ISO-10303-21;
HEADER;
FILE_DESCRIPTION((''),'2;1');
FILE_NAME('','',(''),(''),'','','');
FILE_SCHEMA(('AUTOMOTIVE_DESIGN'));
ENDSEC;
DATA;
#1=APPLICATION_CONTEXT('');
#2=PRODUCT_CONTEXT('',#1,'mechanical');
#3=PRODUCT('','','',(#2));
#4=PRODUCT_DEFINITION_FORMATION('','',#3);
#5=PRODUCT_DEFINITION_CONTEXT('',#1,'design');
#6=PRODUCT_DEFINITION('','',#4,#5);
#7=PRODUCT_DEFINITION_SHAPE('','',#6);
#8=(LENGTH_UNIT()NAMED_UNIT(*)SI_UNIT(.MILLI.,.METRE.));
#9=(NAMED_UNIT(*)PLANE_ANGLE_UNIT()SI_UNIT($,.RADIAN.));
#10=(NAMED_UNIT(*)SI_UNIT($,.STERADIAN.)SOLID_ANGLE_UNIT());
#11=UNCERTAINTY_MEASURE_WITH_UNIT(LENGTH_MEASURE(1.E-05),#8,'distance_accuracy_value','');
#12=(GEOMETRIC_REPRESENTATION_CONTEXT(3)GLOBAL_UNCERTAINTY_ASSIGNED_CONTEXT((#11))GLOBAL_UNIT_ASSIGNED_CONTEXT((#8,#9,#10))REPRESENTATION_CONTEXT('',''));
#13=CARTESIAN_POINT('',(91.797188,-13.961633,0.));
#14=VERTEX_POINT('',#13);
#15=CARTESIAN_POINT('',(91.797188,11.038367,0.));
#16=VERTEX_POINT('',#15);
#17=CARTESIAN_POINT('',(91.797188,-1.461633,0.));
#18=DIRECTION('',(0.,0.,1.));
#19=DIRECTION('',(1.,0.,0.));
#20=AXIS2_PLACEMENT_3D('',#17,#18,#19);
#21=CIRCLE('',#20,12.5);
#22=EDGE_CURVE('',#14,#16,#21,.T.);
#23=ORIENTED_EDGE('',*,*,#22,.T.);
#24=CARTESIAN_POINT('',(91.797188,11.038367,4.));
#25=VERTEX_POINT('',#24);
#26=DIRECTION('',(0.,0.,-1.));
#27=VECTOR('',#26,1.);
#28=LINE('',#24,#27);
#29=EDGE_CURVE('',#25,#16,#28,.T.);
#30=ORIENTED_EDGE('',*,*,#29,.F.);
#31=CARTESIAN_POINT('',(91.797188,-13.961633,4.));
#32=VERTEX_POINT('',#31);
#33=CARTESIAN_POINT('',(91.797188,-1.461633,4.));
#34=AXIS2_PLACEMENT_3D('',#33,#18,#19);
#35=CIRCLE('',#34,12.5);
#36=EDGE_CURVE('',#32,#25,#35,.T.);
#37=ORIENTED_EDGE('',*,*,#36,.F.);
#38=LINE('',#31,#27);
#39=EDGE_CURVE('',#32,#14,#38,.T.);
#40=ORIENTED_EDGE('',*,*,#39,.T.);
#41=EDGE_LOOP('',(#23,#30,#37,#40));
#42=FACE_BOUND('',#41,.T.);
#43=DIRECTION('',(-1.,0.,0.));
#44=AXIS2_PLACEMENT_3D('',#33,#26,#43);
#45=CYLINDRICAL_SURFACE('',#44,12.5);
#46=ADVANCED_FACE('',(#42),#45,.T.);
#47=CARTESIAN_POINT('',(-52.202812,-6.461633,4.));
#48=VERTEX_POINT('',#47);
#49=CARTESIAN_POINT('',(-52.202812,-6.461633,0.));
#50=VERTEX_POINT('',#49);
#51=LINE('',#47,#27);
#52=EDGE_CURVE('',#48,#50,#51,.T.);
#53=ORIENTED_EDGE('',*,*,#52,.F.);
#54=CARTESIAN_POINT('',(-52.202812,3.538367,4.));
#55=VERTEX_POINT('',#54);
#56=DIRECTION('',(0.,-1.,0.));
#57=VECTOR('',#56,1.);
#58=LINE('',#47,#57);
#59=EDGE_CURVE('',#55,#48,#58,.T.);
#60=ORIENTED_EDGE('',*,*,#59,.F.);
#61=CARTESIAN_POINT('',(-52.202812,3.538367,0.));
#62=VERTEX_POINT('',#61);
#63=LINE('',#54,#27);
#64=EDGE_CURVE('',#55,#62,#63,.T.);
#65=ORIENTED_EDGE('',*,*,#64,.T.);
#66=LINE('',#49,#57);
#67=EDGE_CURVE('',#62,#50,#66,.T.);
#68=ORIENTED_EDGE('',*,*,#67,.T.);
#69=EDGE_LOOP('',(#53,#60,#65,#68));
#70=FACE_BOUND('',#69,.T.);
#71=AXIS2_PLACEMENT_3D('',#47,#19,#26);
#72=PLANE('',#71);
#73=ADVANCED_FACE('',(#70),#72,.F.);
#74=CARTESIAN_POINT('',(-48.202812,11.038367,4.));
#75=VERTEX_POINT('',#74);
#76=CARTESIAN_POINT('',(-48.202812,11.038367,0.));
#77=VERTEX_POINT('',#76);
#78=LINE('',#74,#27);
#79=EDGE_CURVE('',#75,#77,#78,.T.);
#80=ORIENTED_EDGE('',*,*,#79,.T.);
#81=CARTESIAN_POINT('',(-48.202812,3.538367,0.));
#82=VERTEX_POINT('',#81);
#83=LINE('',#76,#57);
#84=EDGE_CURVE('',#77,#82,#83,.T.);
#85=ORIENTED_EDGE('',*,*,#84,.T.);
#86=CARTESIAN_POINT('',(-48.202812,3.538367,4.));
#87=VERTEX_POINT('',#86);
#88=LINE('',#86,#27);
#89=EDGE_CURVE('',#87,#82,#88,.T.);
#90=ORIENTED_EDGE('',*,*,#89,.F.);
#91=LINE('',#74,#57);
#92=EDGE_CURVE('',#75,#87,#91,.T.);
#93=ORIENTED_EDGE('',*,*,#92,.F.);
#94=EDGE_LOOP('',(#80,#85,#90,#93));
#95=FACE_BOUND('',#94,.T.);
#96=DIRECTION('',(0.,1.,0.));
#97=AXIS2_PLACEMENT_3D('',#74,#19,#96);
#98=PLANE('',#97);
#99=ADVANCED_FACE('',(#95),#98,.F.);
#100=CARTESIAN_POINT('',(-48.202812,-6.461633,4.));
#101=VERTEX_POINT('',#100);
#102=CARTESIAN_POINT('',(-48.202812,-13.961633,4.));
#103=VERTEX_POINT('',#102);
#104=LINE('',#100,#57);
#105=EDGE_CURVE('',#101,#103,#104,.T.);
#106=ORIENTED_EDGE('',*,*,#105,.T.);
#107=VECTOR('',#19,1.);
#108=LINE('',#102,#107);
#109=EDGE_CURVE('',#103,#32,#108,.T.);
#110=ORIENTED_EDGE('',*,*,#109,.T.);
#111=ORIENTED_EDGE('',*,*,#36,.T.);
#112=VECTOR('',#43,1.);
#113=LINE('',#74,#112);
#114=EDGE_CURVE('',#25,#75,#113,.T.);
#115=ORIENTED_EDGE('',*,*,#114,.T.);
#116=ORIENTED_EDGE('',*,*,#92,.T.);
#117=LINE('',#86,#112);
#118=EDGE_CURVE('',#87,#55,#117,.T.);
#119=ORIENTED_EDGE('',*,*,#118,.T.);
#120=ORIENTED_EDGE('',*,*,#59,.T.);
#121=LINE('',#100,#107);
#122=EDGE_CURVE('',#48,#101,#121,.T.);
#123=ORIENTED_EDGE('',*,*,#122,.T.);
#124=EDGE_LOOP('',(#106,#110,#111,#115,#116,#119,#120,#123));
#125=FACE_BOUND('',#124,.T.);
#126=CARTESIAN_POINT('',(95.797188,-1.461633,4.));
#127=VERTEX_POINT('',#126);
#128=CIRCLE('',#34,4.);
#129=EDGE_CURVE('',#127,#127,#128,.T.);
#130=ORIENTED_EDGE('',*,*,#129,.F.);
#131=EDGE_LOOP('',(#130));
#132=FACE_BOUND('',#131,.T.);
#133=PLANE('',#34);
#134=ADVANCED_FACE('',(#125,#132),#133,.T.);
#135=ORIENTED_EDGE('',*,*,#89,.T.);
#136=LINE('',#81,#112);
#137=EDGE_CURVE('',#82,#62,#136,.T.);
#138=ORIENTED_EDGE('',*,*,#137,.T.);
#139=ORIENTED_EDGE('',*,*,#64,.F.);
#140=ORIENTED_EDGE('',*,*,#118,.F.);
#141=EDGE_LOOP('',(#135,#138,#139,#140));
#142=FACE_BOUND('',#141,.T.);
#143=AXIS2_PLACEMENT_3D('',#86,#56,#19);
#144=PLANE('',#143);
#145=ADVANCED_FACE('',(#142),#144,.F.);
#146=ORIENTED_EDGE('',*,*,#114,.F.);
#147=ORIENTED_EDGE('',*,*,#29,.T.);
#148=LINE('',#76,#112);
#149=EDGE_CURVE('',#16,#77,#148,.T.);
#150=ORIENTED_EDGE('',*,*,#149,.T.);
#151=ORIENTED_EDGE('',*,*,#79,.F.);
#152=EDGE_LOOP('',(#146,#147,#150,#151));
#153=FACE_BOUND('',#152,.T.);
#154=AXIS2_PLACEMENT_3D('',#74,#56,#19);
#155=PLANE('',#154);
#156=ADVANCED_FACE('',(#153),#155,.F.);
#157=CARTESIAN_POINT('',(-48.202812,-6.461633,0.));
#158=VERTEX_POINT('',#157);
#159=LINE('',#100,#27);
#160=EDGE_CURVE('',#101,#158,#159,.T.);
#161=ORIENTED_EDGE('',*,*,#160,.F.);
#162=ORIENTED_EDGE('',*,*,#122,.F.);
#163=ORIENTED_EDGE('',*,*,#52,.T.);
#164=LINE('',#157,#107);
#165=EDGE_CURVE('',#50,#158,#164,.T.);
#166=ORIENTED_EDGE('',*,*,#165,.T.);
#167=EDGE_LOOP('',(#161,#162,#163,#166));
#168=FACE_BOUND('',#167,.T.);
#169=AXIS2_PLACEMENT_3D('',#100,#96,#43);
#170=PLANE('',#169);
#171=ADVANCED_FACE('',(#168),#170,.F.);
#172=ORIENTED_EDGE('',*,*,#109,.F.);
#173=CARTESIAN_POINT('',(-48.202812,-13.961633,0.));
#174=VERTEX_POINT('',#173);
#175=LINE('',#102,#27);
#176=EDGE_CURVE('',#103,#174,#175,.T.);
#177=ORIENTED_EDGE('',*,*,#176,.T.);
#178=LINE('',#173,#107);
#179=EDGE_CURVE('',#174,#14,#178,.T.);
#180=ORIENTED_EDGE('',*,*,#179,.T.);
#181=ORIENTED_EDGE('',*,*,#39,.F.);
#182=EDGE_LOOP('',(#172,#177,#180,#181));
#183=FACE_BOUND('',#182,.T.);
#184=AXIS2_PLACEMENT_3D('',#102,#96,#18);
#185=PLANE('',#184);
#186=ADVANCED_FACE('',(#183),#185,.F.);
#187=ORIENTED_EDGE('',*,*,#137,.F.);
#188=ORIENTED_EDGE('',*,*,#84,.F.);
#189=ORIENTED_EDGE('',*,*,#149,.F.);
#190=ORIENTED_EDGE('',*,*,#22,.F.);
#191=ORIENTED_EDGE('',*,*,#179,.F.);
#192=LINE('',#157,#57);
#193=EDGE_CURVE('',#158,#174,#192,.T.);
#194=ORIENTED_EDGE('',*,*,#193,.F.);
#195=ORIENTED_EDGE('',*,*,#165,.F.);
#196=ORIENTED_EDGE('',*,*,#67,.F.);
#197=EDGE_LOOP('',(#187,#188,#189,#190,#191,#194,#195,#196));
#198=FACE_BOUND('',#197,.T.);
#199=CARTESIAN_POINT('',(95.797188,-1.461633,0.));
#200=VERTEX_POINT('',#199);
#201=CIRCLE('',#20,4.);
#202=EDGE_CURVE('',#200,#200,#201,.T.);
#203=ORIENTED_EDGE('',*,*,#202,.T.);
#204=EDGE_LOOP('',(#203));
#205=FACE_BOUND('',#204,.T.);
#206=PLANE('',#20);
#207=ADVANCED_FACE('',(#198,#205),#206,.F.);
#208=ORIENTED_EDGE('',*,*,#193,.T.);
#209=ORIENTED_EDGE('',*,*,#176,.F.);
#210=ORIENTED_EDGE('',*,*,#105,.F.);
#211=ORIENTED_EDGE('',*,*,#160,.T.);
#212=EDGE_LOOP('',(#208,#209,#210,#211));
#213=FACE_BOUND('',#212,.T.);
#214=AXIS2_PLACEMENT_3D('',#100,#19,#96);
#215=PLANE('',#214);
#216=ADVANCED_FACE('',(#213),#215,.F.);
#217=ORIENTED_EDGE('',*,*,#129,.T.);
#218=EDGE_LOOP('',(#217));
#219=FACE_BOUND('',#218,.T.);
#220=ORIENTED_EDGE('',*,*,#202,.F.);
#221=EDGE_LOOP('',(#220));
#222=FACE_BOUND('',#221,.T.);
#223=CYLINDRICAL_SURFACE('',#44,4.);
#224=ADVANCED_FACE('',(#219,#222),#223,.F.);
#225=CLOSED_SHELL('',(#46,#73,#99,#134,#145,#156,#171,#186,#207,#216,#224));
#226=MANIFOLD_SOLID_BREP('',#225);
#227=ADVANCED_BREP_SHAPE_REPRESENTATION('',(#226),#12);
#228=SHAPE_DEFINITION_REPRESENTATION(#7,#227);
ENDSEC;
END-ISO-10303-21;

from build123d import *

# Parameters (mm, degrees)
SKETCH2_R           = 4
BOSS_EXTRUDE1_DEPTH = 4


with BuildPart() as part:
    # Sketch2 → Boss-Extrude1 (new body)
    with BuildSketch(Plane.XY):
        with BuildLine():
            Line((-48.202812442, -6.461632916), (-48.202812442, -13.961632916))
            Line((-48.202812442, -13.961632916), (91.797187558, -13.961632916))
            ThreePointArc((91.797187558, -13.961632916), (104.297187558, -1.461632916), (91.797187558, 11.038367084))
            Line((91.797187558, 11.038367084), (-48.202812442, 11.038367084))
            Line((-48.202812442, 11.038367084), (-48.202812442, 3.538367084))
            Line((-48.202812442, 3.538367084), (-52.202812442, 3.538367084))
            Line((-52.202812442, 3.538367084), (-52.202812442, -6.461632916))
            Line((-52.202812442, -6.461632916), (-48.202812442, -6.461632916))
        make_face()
        with Locations((91.797187558, -1.461632916)):
            Circle(SKETCH2_R, mode=Mode.SUBTRACT)
    extrude(amount=BOSS_EXTRUDE1_DEPTH)


solid = part.part
